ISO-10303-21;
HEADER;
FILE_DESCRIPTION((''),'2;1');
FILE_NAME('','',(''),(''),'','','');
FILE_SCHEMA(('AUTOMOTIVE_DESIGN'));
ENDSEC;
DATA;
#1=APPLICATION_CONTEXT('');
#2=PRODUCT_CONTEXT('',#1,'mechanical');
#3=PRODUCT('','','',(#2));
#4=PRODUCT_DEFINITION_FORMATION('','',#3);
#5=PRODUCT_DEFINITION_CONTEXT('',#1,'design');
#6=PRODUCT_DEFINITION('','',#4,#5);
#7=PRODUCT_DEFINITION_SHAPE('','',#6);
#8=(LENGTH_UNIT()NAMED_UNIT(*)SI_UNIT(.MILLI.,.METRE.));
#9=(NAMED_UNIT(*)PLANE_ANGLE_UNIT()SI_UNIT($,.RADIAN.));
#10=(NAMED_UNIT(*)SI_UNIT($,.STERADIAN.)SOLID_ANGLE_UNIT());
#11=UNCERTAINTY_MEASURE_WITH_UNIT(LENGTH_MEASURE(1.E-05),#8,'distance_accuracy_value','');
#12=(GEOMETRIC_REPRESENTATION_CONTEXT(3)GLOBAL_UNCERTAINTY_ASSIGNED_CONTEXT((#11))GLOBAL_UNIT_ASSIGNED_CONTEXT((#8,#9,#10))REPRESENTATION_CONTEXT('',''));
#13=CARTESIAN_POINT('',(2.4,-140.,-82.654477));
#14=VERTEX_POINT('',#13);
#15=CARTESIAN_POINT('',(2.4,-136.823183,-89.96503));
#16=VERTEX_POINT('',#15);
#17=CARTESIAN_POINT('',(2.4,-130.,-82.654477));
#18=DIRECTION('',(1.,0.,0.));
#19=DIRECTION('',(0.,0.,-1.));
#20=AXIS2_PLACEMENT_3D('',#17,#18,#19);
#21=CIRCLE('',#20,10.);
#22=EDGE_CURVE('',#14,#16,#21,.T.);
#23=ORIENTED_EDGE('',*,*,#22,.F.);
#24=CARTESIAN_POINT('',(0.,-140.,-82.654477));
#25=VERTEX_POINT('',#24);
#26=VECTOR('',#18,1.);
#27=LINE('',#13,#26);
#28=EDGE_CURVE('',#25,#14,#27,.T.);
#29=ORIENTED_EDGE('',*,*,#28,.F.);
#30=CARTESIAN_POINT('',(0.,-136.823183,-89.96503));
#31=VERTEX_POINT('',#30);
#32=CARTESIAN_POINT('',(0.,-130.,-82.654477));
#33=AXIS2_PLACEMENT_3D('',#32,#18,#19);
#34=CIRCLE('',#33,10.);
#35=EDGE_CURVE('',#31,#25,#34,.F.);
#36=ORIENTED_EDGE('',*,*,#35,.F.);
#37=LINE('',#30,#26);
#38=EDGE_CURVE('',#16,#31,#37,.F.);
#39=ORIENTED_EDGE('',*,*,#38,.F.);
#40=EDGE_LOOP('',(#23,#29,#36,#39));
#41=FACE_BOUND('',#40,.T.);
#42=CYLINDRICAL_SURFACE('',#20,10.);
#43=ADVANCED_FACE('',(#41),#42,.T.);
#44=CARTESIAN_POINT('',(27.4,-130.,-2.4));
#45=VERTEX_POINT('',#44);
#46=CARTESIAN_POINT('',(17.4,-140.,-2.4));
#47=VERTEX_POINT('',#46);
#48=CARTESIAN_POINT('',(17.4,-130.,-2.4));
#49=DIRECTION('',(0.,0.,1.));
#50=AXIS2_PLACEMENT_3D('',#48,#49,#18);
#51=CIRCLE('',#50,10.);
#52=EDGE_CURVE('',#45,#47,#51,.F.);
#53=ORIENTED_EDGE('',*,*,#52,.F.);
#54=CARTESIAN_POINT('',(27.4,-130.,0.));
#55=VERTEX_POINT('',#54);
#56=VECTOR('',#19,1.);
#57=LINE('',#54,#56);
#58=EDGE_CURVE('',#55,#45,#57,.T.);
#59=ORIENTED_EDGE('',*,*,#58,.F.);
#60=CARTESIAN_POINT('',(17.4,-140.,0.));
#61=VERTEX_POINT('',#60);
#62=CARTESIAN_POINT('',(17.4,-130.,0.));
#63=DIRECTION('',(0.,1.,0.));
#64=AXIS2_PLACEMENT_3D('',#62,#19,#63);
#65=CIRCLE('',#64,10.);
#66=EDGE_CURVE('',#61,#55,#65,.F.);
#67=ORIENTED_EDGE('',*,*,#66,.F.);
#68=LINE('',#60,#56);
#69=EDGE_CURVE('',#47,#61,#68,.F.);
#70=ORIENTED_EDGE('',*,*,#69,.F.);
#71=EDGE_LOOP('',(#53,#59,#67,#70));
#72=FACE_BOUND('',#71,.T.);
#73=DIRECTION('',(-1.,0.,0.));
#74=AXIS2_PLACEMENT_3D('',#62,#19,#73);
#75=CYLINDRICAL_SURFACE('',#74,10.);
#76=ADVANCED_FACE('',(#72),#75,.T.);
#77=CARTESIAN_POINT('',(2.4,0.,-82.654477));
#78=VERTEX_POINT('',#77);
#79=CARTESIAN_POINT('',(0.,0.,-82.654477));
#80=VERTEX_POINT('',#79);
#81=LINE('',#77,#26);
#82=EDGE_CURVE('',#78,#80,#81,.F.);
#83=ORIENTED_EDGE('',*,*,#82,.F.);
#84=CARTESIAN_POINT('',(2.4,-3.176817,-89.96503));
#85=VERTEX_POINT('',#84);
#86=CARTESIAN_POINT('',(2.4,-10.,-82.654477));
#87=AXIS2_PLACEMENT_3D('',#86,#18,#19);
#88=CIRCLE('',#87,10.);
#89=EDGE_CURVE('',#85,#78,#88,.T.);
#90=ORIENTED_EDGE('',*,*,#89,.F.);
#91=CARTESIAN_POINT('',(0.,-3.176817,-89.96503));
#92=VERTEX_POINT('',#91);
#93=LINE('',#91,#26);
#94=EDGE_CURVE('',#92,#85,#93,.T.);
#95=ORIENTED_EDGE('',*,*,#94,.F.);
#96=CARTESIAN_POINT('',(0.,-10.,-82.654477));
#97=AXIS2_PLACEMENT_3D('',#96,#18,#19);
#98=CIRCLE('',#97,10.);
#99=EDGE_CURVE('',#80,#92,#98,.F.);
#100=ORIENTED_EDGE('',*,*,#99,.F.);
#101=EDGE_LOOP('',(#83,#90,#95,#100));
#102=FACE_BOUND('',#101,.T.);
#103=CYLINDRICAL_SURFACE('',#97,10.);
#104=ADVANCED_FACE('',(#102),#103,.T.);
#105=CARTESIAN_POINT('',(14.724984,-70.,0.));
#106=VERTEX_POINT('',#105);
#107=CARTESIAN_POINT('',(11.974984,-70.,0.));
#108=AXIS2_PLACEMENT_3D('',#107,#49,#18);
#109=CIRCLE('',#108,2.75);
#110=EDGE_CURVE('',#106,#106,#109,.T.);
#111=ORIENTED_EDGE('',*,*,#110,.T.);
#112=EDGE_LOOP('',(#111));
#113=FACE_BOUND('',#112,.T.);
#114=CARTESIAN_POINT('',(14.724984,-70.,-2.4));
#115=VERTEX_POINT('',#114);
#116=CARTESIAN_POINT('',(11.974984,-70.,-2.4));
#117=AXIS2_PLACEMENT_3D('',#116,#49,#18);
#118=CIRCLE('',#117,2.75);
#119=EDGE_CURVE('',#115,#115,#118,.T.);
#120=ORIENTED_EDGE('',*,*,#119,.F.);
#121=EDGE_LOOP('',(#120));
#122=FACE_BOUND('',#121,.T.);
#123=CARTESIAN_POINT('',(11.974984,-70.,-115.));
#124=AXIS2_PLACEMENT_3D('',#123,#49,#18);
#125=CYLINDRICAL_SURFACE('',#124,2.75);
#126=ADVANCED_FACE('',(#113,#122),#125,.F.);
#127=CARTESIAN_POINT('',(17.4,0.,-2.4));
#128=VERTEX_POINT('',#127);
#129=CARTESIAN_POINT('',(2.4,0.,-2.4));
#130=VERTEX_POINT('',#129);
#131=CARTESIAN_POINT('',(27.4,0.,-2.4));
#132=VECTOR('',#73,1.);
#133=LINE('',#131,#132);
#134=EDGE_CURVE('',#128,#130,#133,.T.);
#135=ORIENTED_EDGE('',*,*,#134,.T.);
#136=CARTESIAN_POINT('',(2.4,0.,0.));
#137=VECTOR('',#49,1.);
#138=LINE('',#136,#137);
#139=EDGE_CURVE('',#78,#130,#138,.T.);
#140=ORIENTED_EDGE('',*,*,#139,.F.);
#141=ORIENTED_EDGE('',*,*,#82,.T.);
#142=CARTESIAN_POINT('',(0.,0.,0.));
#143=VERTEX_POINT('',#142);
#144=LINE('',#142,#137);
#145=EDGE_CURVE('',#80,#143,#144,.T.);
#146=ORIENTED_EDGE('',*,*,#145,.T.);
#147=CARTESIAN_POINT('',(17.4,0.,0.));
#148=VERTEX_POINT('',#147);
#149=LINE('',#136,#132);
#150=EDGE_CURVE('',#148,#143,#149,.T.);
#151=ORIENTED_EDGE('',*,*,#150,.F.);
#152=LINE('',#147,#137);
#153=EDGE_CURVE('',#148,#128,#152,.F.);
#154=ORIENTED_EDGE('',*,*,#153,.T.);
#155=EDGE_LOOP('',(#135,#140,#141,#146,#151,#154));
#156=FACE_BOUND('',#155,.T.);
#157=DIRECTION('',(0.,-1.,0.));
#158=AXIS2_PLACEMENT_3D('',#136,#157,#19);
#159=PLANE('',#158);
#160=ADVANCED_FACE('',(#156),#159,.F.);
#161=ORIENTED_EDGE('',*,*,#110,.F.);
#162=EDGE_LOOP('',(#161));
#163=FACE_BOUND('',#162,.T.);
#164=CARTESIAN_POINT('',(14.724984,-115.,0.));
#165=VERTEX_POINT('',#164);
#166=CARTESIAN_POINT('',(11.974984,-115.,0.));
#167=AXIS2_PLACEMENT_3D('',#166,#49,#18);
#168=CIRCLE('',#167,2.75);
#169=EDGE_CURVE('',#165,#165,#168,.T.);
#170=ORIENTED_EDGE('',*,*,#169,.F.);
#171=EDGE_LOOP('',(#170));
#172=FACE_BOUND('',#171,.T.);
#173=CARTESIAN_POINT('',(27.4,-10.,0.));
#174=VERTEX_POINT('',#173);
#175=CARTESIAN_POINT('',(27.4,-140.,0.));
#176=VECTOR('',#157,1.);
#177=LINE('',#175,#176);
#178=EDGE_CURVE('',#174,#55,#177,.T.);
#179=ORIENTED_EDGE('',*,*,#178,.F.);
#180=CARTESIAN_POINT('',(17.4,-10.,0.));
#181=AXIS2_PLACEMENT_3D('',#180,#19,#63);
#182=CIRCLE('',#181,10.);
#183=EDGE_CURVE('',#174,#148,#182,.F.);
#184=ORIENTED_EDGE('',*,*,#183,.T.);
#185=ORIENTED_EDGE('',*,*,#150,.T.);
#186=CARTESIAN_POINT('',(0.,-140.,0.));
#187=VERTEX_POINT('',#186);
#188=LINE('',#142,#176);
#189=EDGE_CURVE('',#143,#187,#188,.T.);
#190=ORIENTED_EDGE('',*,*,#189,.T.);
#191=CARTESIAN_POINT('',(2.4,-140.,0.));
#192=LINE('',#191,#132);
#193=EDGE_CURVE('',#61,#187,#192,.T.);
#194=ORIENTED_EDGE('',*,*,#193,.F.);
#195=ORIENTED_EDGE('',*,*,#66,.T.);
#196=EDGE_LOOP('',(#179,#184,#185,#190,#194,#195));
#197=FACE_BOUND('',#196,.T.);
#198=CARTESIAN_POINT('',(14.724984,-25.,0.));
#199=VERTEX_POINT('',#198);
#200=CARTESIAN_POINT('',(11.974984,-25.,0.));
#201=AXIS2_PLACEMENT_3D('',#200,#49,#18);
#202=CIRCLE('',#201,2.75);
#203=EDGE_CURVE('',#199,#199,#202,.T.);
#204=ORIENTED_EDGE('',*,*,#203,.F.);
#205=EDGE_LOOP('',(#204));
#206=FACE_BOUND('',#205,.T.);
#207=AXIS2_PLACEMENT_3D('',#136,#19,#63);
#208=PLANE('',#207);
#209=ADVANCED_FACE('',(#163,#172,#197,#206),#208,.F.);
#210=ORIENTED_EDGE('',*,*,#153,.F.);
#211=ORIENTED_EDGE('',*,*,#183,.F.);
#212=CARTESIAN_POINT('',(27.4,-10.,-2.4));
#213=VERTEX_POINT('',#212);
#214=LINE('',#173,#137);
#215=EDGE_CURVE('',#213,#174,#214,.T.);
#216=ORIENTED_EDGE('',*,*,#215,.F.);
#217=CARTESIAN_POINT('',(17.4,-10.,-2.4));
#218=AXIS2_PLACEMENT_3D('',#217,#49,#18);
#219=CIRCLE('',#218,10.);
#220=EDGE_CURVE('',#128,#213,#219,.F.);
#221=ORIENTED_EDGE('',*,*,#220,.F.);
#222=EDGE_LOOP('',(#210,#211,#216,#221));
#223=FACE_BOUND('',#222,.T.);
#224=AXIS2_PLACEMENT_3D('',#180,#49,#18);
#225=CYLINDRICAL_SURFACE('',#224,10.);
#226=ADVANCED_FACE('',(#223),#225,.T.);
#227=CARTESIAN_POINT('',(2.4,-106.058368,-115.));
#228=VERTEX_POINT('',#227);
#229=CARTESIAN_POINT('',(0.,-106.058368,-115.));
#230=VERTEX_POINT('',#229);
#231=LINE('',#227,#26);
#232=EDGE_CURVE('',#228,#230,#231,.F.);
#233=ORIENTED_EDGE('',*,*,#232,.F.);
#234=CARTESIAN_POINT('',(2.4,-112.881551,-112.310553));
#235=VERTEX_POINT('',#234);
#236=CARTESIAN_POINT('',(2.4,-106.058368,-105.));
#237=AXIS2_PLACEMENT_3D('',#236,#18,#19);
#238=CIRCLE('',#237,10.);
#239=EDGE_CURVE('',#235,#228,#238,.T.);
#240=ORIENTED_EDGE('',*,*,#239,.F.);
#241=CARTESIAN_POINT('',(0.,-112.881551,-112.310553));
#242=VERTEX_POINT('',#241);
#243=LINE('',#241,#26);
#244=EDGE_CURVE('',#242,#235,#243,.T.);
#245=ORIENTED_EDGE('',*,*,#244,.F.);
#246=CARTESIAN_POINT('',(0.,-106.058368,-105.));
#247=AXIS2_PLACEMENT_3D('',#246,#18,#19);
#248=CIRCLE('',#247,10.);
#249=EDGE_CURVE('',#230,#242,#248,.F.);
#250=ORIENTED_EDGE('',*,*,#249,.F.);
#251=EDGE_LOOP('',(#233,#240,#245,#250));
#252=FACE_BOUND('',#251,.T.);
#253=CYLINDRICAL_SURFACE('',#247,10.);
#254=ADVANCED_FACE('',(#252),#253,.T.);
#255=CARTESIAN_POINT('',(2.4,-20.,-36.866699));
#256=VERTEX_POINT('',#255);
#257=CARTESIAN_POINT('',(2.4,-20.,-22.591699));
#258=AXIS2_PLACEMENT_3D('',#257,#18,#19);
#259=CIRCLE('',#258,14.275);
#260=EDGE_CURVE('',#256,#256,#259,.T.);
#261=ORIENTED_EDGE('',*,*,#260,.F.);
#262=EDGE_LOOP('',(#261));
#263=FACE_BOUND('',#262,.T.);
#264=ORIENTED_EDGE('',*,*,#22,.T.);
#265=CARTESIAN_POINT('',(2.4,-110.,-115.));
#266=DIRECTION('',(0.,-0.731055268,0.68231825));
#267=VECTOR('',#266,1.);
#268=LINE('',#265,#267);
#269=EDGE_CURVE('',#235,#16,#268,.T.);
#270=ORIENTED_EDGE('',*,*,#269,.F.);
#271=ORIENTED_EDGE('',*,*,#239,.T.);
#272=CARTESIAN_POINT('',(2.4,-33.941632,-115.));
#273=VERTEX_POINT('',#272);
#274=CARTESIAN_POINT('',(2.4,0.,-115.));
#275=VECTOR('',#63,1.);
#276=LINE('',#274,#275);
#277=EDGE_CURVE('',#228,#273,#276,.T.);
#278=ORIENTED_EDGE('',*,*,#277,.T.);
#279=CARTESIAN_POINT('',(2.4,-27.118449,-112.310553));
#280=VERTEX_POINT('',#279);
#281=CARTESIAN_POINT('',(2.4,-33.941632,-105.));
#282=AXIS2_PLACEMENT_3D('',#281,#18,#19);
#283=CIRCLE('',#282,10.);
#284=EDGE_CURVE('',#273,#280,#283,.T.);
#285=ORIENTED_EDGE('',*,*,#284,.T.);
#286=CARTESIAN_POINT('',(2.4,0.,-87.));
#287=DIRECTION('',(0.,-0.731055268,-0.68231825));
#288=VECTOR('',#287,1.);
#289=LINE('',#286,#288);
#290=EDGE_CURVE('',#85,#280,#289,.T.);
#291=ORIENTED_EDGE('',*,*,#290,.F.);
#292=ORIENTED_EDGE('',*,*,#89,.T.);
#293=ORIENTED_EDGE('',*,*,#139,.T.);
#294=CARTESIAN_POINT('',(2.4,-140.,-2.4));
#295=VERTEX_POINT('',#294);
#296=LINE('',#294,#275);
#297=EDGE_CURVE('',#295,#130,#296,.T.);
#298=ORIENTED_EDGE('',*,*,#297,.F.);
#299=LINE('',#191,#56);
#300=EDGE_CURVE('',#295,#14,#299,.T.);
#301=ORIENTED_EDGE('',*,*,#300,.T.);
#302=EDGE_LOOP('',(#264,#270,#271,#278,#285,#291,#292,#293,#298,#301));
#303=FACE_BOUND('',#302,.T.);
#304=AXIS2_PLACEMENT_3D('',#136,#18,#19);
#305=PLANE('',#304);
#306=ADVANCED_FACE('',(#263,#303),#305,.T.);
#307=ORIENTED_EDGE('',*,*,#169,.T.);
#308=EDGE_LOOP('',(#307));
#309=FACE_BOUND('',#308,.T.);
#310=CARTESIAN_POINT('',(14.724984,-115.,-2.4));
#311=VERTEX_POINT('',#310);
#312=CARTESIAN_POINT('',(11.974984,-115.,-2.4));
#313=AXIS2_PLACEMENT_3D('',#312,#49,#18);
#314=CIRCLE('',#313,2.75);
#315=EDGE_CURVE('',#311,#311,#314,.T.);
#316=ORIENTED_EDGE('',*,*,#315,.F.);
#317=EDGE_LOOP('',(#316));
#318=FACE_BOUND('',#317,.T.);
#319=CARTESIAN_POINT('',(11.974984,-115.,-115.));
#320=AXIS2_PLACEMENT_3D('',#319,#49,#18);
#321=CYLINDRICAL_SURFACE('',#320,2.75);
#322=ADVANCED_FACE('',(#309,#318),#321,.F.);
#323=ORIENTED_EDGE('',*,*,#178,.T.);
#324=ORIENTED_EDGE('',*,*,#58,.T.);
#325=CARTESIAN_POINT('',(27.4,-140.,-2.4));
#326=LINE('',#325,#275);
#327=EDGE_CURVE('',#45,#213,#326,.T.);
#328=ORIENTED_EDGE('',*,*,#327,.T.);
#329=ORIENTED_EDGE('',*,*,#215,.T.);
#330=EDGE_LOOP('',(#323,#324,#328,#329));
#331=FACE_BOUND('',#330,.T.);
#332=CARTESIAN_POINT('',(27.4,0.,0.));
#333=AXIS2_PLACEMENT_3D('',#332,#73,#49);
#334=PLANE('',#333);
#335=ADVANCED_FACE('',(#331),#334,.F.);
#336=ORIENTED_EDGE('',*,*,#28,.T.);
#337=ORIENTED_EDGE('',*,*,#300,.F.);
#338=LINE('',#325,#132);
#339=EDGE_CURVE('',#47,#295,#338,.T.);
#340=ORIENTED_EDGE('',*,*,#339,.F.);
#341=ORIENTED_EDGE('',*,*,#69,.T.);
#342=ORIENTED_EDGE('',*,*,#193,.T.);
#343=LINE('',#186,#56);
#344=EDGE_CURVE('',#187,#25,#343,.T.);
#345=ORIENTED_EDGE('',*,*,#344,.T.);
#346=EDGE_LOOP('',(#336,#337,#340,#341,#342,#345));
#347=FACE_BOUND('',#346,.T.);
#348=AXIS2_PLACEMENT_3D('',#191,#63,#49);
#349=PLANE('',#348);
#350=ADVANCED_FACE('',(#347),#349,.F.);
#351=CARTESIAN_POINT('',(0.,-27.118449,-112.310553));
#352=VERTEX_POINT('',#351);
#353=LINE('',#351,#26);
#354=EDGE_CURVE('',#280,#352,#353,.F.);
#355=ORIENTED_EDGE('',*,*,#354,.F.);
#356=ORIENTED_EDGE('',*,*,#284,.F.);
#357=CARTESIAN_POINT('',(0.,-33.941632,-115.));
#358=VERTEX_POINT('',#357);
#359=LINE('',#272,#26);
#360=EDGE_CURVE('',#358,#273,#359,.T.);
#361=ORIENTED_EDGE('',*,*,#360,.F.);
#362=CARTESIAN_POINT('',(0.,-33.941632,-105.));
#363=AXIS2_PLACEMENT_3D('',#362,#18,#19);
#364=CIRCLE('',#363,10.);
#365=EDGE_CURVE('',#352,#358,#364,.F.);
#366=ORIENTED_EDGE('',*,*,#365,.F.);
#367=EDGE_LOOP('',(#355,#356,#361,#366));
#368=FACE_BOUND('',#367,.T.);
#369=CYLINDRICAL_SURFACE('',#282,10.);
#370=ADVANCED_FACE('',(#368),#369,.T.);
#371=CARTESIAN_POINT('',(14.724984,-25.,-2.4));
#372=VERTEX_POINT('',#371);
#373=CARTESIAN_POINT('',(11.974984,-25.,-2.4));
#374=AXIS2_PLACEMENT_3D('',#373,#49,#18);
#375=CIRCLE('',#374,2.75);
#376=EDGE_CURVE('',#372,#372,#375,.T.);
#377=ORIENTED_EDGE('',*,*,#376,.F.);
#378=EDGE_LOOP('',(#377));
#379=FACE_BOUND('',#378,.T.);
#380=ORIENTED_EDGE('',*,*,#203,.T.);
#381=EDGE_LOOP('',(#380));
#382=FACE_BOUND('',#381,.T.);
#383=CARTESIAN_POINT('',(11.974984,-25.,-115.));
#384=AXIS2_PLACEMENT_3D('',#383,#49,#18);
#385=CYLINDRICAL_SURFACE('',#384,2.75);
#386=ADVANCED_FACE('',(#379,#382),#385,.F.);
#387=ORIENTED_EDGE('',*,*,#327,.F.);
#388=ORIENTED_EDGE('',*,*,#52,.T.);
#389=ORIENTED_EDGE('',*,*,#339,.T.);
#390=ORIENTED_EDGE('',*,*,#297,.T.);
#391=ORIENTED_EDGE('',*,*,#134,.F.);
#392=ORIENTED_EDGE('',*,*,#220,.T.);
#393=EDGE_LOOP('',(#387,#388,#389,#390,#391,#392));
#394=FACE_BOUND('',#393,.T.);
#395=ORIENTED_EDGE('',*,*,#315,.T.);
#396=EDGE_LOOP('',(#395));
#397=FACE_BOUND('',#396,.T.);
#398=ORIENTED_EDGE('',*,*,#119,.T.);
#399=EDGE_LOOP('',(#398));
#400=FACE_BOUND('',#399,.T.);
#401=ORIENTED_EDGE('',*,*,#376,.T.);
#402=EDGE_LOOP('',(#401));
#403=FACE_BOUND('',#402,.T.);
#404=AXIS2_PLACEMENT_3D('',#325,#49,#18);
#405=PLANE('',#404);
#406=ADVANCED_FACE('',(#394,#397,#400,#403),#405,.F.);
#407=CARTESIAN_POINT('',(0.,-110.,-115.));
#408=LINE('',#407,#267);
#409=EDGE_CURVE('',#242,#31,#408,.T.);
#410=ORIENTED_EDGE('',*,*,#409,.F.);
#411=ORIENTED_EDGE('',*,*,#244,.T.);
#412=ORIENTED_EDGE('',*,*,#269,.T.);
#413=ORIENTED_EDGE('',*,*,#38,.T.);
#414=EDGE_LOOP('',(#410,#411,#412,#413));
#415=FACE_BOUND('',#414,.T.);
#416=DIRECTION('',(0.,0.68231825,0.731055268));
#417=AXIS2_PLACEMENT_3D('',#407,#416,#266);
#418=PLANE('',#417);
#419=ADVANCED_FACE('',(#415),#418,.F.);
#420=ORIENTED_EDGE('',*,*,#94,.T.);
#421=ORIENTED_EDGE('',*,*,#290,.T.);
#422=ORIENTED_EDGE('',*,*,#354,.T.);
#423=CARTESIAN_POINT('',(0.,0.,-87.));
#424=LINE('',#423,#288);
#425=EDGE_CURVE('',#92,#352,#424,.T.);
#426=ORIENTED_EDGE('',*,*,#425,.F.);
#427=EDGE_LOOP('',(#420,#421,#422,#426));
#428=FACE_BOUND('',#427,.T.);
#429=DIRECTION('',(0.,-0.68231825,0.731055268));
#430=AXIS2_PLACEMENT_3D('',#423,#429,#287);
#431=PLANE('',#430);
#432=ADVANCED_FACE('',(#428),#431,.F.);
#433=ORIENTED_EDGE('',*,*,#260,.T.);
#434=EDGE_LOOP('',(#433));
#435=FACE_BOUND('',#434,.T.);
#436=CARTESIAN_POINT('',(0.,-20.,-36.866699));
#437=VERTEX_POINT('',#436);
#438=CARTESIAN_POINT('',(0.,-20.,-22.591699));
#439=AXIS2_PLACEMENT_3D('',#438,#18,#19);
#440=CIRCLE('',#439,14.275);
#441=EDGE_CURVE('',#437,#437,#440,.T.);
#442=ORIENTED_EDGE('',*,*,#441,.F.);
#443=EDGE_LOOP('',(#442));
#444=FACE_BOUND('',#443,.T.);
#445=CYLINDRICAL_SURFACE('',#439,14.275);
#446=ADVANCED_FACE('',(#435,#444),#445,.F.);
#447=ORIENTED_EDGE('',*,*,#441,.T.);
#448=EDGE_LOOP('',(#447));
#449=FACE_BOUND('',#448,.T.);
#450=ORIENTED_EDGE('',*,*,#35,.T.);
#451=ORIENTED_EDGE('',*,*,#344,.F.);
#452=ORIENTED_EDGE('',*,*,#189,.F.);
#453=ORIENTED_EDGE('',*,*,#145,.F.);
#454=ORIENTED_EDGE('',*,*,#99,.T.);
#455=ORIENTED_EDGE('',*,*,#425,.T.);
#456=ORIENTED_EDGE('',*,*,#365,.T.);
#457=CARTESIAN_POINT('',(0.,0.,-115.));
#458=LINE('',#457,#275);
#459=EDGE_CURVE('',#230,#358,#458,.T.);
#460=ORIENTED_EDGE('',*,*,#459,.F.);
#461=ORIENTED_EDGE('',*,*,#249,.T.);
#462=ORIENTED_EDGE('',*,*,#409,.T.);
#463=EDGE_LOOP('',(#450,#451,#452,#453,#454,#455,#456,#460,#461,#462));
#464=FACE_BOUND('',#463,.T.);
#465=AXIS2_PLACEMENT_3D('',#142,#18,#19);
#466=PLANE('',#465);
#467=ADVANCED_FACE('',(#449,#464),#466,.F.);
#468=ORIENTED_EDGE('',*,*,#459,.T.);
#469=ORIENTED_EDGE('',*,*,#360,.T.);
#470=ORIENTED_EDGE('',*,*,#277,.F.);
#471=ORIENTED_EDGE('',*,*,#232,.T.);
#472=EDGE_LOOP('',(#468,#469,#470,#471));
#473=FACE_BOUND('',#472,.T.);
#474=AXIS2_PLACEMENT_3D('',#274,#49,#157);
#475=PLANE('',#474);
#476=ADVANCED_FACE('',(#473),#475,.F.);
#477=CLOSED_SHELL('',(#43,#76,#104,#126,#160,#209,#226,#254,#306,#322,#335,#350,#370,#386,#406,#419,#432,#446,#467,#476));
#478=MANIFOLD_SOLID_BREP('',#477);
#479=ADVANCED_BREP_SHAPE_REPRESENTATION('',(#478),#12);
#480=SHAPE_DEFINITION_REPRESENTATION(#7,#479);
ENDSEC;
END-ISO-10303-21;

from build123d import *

# Parameters (mm, degrees)
SKETCH1_W           = 115
SKETCH1_H           = 140
BOSS_EXTRUDE1_DEPTH = 2.4
CUT_EXTRUDE1_DEPTH  = 3.4
FILLET1_R           = 10
SKETCH3_W           = 2.4
SKETCH3_H           = 140
BOSS_EXTRUDE2_DEPTH = 25
FILLET2_R           = 10
SKETCH4_R           = 2.75
CUT_EXTRUDE2_DEPTH  = 116
SKETCH5_R           = 14.275
CUT_EXTRUDE3_DEPTH  = 3.4


with BuildPart() as part:
    # Sketch1 → Boss-Extrude1 (new body)
    with BuildSketch(Plane(origin=(0, 0, 0), x_dir=(0, 0, -1), z_dir=(1, 0, 0))):
        with Locations((57.5, -70)):
            Rectangle(SKETCH1_W, SKETCH1_H)
    extrude(amount=BOSS_EXTRUDE1_DEPTH)

    # Sketch2 → Cut-Extrude1 (cut, through all)
    with BuildSketch(Plane(origin=(2.4, 0, 0), x_dir=(0, 0, -1), z_dir=(1, 0, 0))):
        Polygon((87, 0), (115, -30), (142.616199658, -32.505405645), (142.616199658, 14.875556406), align=None)
        Polygon((115, -110), (87, -140), (87, -152.661109726), (136.310004643, -152.661109726), align=None)
    extrude(amount=-CUT_EXTRUDE1_DEPTH, mode=Mode.SUBTRACT)

    # Fillet1
    fillet1_edges = [part.edges().sort_by_distance(p)[0] for p in [
        (1.2, 0, -87),
        (1.2, -30, -115),
        (1.2, -110, -115),
        (1.2, -140, -87),
    ]]
    fillet(fillet1_edges, radius=FILLET1_R)

    # Sketch3 → Boss-Extrude2 (add)
    with BuildSketch(Plane(origin=(2.4, 0, 0), x_dir=(0, 0, -1), z_dir=(1, 0, 0))):
        with Locations((1.2, -70)):
            Rectangle(SKETCH3_W, SKETCH3_H)
    extrude(amount=BOSS_EXTRUDE2_DEPTH)

    # Fillet2
    fillet2_edges = [part.edges().sort_by_distance(p)[0] for p in [
        (27.4, -140, -1.2),
        (27.4, 0, -1.2),
    ]]
    fillet(fillet2_edges, radius=FILLET2_R)

    # Sketch4 → Cut-Extrude2 (cut, through all)
    with BuildSketch(Plane.XY):
        with Locations((11.974983581, -70)):
            Circle(SKETCH4_R)
        with Locations((11.974983581, -25)):
            Circle(SKETCH4_R)
        with Locations((11.974983581, -115)):
            Circle(SKETCH4_R)
    extrude(amount=-CUT_EXTRUDE2_DEPTH, mode=Mode.SUBTRACT)

    # Sketch5 → Cut-Extrude3 (cut, through all)
    with BuildSketch(Plane(origin=(2.4, 0, 0), x_dir=(0, 0, -1), z_dir=(1, 0, 0))):
        with Locations((22.591699334, -20)):
            Circle(SKETCH5_R)
    extrude(amount=-CUT_EXTRUDE3_DEPTH, mode=Mode.SUBTRACT)


solid = part.part
